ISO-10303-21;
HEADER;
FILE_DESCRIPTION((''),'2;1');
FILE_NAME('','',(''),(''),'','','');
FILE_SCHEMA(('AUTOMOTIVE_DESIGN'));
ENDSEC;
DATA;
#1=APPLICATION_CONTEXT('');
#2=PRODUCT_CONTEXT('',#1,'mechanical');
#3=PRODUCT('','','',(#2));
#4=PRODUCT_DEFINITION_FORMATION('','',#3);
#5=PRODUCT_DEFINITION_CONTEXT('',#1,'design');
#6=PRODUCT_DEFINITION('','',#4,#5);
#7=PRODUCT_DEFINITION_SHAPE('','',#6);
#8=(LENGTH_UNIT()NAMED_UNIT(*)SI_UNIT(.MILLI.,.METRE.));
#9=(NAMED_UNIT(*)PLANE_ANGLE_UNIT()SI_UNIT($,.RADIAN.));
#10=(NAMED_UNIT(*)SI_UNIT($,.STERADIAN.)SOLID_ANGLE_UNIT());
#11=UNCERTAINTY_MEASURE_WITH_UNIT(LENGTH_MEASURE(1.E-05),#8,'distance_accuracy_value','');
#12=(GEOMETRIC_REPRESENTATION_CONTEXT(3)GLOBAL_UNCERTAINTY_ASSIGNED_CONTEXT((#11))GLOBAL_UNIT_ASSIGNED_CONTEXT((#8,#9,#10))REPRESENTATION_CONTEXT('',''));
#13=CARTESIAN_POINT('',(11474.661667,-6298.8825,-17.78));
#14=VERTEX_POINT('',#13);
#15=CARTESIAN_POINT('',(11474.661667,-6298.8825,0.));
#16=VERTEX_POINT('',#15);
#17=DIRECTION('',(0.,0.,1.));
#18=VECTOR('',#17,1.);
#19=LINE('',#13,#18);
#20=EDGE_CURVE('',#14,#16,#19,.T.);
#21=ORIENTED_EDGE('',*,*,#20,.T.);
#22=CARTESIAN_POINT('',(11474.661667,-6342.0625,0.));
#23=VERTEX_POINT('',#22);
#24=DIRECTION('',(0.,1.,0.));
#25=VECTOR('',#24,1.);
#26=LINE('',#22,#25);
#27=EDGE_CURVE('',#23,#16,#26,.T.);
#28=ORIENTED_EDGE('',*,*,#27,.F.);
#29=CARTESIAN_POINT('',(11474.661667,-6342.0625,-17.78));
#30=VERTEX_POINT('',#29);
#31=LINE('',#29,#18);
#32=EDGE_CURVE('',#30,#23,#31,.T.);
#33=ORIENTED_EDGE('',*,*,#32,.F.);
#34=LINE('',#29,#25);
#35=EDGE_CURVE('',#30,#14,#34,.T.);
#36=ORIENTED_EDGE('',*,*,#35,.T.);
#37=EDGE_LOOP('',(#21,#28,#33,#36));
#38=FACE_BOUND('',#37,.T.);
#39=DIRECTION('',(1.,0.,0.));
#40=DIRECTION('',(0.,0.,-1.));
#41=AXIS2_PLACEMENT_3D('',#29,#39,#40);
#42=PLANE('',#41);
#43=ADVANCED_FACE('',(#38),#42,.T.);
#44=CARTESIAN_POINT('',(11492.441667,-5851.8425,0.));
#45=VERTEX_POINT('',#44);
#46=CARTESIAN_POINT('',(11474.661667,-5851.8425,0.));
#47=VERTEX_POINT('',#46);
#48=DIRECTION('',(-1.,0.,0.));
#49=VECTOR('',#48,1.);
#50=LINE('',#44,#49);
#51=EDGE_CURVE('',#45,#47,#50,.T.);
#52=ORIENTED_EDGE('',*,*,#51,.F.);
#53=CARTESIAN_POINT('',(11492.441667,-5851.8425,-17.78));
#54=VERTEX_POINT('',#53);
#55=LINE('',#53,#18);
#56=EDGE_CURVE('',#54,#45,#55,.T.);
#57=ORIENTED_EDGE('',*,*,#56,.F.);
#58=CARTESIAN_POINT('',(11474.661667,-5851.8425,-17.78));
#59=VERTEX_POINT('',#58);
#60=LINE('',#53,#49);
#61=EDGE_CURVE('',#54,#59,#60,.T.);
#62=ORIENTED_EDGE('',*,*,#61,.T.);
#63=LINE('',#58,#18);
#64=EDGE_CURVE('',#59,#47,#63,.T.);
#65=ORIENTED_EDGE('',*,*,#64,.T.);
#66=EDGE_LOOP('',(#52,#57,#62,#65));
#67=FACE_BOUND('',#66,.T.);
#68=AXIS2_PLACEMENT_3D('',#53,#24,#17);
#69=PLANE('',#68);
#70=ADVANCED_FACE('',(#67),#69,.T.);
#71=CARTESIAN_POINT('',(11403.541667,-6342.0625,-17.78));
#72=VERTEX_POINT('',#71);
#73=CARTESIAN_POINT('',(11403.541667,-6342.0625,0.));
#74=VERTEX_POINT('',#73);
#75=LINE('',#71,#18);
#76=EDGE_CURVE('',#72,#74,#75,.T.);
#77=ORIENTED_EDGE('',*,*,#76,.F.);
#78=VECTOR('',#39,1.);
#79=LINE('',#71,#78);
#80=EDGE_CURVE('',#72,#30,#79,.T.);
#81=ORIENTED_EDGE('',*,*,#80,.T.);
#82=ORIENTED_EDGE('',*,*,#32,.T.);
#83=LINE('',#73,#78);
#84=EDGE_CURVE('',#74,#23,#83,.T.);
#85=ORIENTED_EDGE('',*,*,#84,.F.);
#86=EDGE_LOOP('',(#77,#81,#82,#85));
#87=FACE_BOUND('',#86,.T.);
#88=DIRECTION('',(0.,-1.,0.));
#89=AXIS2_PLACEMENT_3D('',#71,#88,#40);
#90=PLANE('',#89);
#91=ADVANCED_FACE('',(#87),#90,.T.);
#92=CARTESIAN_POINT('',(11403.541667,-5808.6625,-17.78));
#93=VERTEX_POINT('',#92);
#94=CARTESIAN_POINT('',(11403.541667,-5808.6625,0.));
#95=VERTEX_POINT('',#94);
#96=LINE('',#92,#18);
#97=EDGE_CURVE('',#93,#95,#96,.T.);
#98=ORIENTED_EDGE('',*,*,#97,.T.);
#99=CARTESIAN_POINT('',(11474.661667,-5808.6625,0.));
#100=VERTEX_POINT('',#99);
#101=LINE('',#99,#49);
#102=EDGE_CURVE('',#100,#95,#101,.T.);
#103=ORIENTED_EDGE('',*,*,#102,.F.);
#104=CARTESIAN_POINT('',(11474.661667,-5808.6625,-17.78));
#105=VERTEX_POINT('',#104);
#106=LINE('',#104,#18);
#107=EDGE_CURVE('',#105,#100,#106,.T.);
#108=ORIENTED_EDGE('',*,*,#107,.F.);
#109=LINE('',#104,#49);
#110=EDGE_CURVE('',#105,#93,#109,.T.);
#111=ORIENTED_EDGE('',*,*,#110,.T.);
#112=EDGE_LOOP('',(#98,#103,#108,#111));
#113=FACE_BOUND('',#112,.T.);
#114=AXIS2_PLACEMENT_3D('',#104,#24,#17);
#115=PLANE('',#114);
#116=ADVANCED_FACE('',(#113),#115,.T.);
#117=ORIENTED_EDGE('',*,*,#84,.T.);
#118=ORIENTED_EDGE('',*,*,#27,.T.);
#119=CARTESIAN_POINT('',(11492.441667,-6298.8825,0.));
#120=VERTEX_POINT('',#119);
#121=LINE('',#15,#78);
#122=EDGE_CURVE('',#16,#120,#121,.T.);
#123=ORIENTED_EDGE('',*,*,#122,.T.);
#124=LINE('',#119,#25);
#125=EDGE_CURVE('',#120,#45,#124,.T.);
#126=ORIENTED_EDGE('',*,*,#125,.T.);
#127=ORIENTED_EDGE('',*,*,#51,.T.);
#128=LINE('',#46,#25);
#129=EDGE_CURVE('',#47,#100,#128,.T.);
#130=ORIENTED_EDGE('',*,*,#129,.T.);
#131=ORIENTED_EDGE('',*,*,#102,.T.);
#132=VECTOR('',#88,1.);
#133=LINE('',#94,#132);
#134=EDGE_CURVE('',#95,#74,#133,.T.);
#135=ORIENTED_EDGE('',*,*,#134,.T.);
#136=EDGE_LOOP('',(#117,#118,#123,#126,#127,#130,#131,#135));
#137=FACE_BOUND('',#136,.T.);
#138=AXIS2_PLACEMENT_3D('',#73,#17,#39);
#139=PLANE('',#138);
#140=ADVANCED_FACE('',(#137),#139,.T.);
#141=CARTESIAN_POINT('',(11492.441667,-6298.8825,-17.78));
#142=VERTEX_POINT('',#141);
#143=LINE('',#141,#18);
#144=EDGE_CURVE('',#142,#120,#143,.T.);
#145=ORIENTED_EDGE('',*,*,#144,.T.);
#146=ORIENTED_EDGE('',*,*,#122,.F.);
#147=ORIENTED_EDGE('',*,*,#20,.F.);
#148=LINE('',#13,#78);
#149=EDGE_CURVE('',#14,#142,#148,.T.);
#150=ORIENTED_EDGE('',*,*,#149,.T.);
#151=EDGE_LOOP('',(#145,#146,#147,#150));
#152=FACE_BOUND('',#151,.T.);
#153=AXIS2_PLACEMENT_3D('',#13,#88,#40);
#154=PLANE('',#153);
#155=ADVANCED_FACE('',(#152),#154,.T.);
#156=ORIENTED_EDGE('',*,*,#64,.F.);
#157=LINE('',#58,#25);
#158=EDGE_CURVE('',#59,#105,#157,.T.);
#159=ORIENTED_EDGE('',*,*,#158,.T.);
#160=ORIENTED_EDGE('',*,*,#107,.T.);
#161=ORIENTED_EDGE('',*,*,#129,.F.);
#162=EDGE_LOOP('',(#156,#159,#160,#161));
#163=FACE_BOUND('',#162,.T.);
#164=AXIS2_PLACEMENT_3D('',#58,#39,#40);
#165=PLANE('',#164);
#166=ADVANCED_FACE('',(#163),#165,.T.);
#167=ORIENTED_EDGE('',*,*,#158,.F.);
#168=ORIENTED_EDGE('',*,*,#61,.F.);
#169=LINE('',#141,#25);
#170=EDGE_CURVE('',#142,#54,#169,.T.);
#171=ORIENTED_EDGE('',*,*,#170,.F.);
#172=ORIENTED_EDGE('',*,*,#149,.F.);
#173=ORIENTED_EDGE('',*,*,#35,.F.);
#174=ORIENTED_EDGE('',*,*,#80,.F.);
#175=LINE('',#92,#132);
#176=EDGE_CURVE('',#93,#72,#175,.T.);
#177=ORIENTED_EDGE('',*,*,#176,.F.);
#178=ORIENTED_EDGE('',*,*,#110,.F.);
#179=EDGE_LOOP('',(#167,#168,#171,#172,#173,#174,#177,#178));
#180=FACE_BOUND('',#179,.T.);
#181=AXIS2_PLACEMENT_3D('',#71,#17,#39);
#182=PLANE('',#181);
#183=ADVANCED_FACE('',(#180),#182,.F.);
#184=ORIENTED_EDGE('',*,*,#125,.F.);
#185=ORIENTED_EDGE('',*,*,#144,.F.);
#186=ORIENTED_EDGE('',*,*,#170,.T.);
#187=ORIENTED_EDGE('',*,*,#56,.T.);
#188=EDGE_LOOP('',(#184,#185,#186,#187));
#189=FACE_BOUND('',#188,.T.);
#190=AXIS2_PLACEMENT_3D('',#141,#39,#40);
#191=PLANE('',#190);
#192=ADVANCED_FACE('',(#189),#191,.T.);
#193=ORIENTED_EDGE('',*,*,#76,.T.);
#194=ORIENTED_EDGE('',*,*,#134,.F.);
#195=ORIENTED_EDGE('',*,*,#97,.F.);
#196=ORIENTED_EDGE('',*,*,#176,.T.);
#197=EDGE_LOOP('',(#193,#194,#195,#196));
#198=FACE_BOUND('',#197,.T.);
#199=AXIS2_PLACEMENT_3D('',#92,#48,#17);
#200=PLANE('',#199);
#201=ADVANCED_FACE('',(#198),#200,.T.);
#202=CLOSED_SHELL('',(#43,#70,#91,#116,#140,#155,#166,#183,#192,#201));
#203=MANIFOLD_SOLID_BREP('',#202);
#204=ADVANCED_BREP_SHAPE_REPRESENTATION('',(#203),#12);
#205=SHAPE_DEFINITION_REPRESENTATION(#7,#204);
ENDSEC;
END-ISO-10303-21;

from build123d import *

# Parameters (mm, degrees)
EXTRUDE1_DEPTH = 17.78


with BuildPart() as part:
    # Sketch2 → Extrude1 (new body)
    with BuildSketch(Plane.XY):
        Polygon((11403.541666666, -6342.0625), (11474.661666666, -6342.0625), (11474.661666666, -6298.8825), (11492.441666666, -6298.8825), (11492.441666666, -5851.8425), (11474.661666666, -5851.8425), (11474.661666666, -5808.6625), (11403.541666666, -5808.6625), align=None)
    extrude(amount=-EXTRUDE1_DEPTH)


solid = part.part
